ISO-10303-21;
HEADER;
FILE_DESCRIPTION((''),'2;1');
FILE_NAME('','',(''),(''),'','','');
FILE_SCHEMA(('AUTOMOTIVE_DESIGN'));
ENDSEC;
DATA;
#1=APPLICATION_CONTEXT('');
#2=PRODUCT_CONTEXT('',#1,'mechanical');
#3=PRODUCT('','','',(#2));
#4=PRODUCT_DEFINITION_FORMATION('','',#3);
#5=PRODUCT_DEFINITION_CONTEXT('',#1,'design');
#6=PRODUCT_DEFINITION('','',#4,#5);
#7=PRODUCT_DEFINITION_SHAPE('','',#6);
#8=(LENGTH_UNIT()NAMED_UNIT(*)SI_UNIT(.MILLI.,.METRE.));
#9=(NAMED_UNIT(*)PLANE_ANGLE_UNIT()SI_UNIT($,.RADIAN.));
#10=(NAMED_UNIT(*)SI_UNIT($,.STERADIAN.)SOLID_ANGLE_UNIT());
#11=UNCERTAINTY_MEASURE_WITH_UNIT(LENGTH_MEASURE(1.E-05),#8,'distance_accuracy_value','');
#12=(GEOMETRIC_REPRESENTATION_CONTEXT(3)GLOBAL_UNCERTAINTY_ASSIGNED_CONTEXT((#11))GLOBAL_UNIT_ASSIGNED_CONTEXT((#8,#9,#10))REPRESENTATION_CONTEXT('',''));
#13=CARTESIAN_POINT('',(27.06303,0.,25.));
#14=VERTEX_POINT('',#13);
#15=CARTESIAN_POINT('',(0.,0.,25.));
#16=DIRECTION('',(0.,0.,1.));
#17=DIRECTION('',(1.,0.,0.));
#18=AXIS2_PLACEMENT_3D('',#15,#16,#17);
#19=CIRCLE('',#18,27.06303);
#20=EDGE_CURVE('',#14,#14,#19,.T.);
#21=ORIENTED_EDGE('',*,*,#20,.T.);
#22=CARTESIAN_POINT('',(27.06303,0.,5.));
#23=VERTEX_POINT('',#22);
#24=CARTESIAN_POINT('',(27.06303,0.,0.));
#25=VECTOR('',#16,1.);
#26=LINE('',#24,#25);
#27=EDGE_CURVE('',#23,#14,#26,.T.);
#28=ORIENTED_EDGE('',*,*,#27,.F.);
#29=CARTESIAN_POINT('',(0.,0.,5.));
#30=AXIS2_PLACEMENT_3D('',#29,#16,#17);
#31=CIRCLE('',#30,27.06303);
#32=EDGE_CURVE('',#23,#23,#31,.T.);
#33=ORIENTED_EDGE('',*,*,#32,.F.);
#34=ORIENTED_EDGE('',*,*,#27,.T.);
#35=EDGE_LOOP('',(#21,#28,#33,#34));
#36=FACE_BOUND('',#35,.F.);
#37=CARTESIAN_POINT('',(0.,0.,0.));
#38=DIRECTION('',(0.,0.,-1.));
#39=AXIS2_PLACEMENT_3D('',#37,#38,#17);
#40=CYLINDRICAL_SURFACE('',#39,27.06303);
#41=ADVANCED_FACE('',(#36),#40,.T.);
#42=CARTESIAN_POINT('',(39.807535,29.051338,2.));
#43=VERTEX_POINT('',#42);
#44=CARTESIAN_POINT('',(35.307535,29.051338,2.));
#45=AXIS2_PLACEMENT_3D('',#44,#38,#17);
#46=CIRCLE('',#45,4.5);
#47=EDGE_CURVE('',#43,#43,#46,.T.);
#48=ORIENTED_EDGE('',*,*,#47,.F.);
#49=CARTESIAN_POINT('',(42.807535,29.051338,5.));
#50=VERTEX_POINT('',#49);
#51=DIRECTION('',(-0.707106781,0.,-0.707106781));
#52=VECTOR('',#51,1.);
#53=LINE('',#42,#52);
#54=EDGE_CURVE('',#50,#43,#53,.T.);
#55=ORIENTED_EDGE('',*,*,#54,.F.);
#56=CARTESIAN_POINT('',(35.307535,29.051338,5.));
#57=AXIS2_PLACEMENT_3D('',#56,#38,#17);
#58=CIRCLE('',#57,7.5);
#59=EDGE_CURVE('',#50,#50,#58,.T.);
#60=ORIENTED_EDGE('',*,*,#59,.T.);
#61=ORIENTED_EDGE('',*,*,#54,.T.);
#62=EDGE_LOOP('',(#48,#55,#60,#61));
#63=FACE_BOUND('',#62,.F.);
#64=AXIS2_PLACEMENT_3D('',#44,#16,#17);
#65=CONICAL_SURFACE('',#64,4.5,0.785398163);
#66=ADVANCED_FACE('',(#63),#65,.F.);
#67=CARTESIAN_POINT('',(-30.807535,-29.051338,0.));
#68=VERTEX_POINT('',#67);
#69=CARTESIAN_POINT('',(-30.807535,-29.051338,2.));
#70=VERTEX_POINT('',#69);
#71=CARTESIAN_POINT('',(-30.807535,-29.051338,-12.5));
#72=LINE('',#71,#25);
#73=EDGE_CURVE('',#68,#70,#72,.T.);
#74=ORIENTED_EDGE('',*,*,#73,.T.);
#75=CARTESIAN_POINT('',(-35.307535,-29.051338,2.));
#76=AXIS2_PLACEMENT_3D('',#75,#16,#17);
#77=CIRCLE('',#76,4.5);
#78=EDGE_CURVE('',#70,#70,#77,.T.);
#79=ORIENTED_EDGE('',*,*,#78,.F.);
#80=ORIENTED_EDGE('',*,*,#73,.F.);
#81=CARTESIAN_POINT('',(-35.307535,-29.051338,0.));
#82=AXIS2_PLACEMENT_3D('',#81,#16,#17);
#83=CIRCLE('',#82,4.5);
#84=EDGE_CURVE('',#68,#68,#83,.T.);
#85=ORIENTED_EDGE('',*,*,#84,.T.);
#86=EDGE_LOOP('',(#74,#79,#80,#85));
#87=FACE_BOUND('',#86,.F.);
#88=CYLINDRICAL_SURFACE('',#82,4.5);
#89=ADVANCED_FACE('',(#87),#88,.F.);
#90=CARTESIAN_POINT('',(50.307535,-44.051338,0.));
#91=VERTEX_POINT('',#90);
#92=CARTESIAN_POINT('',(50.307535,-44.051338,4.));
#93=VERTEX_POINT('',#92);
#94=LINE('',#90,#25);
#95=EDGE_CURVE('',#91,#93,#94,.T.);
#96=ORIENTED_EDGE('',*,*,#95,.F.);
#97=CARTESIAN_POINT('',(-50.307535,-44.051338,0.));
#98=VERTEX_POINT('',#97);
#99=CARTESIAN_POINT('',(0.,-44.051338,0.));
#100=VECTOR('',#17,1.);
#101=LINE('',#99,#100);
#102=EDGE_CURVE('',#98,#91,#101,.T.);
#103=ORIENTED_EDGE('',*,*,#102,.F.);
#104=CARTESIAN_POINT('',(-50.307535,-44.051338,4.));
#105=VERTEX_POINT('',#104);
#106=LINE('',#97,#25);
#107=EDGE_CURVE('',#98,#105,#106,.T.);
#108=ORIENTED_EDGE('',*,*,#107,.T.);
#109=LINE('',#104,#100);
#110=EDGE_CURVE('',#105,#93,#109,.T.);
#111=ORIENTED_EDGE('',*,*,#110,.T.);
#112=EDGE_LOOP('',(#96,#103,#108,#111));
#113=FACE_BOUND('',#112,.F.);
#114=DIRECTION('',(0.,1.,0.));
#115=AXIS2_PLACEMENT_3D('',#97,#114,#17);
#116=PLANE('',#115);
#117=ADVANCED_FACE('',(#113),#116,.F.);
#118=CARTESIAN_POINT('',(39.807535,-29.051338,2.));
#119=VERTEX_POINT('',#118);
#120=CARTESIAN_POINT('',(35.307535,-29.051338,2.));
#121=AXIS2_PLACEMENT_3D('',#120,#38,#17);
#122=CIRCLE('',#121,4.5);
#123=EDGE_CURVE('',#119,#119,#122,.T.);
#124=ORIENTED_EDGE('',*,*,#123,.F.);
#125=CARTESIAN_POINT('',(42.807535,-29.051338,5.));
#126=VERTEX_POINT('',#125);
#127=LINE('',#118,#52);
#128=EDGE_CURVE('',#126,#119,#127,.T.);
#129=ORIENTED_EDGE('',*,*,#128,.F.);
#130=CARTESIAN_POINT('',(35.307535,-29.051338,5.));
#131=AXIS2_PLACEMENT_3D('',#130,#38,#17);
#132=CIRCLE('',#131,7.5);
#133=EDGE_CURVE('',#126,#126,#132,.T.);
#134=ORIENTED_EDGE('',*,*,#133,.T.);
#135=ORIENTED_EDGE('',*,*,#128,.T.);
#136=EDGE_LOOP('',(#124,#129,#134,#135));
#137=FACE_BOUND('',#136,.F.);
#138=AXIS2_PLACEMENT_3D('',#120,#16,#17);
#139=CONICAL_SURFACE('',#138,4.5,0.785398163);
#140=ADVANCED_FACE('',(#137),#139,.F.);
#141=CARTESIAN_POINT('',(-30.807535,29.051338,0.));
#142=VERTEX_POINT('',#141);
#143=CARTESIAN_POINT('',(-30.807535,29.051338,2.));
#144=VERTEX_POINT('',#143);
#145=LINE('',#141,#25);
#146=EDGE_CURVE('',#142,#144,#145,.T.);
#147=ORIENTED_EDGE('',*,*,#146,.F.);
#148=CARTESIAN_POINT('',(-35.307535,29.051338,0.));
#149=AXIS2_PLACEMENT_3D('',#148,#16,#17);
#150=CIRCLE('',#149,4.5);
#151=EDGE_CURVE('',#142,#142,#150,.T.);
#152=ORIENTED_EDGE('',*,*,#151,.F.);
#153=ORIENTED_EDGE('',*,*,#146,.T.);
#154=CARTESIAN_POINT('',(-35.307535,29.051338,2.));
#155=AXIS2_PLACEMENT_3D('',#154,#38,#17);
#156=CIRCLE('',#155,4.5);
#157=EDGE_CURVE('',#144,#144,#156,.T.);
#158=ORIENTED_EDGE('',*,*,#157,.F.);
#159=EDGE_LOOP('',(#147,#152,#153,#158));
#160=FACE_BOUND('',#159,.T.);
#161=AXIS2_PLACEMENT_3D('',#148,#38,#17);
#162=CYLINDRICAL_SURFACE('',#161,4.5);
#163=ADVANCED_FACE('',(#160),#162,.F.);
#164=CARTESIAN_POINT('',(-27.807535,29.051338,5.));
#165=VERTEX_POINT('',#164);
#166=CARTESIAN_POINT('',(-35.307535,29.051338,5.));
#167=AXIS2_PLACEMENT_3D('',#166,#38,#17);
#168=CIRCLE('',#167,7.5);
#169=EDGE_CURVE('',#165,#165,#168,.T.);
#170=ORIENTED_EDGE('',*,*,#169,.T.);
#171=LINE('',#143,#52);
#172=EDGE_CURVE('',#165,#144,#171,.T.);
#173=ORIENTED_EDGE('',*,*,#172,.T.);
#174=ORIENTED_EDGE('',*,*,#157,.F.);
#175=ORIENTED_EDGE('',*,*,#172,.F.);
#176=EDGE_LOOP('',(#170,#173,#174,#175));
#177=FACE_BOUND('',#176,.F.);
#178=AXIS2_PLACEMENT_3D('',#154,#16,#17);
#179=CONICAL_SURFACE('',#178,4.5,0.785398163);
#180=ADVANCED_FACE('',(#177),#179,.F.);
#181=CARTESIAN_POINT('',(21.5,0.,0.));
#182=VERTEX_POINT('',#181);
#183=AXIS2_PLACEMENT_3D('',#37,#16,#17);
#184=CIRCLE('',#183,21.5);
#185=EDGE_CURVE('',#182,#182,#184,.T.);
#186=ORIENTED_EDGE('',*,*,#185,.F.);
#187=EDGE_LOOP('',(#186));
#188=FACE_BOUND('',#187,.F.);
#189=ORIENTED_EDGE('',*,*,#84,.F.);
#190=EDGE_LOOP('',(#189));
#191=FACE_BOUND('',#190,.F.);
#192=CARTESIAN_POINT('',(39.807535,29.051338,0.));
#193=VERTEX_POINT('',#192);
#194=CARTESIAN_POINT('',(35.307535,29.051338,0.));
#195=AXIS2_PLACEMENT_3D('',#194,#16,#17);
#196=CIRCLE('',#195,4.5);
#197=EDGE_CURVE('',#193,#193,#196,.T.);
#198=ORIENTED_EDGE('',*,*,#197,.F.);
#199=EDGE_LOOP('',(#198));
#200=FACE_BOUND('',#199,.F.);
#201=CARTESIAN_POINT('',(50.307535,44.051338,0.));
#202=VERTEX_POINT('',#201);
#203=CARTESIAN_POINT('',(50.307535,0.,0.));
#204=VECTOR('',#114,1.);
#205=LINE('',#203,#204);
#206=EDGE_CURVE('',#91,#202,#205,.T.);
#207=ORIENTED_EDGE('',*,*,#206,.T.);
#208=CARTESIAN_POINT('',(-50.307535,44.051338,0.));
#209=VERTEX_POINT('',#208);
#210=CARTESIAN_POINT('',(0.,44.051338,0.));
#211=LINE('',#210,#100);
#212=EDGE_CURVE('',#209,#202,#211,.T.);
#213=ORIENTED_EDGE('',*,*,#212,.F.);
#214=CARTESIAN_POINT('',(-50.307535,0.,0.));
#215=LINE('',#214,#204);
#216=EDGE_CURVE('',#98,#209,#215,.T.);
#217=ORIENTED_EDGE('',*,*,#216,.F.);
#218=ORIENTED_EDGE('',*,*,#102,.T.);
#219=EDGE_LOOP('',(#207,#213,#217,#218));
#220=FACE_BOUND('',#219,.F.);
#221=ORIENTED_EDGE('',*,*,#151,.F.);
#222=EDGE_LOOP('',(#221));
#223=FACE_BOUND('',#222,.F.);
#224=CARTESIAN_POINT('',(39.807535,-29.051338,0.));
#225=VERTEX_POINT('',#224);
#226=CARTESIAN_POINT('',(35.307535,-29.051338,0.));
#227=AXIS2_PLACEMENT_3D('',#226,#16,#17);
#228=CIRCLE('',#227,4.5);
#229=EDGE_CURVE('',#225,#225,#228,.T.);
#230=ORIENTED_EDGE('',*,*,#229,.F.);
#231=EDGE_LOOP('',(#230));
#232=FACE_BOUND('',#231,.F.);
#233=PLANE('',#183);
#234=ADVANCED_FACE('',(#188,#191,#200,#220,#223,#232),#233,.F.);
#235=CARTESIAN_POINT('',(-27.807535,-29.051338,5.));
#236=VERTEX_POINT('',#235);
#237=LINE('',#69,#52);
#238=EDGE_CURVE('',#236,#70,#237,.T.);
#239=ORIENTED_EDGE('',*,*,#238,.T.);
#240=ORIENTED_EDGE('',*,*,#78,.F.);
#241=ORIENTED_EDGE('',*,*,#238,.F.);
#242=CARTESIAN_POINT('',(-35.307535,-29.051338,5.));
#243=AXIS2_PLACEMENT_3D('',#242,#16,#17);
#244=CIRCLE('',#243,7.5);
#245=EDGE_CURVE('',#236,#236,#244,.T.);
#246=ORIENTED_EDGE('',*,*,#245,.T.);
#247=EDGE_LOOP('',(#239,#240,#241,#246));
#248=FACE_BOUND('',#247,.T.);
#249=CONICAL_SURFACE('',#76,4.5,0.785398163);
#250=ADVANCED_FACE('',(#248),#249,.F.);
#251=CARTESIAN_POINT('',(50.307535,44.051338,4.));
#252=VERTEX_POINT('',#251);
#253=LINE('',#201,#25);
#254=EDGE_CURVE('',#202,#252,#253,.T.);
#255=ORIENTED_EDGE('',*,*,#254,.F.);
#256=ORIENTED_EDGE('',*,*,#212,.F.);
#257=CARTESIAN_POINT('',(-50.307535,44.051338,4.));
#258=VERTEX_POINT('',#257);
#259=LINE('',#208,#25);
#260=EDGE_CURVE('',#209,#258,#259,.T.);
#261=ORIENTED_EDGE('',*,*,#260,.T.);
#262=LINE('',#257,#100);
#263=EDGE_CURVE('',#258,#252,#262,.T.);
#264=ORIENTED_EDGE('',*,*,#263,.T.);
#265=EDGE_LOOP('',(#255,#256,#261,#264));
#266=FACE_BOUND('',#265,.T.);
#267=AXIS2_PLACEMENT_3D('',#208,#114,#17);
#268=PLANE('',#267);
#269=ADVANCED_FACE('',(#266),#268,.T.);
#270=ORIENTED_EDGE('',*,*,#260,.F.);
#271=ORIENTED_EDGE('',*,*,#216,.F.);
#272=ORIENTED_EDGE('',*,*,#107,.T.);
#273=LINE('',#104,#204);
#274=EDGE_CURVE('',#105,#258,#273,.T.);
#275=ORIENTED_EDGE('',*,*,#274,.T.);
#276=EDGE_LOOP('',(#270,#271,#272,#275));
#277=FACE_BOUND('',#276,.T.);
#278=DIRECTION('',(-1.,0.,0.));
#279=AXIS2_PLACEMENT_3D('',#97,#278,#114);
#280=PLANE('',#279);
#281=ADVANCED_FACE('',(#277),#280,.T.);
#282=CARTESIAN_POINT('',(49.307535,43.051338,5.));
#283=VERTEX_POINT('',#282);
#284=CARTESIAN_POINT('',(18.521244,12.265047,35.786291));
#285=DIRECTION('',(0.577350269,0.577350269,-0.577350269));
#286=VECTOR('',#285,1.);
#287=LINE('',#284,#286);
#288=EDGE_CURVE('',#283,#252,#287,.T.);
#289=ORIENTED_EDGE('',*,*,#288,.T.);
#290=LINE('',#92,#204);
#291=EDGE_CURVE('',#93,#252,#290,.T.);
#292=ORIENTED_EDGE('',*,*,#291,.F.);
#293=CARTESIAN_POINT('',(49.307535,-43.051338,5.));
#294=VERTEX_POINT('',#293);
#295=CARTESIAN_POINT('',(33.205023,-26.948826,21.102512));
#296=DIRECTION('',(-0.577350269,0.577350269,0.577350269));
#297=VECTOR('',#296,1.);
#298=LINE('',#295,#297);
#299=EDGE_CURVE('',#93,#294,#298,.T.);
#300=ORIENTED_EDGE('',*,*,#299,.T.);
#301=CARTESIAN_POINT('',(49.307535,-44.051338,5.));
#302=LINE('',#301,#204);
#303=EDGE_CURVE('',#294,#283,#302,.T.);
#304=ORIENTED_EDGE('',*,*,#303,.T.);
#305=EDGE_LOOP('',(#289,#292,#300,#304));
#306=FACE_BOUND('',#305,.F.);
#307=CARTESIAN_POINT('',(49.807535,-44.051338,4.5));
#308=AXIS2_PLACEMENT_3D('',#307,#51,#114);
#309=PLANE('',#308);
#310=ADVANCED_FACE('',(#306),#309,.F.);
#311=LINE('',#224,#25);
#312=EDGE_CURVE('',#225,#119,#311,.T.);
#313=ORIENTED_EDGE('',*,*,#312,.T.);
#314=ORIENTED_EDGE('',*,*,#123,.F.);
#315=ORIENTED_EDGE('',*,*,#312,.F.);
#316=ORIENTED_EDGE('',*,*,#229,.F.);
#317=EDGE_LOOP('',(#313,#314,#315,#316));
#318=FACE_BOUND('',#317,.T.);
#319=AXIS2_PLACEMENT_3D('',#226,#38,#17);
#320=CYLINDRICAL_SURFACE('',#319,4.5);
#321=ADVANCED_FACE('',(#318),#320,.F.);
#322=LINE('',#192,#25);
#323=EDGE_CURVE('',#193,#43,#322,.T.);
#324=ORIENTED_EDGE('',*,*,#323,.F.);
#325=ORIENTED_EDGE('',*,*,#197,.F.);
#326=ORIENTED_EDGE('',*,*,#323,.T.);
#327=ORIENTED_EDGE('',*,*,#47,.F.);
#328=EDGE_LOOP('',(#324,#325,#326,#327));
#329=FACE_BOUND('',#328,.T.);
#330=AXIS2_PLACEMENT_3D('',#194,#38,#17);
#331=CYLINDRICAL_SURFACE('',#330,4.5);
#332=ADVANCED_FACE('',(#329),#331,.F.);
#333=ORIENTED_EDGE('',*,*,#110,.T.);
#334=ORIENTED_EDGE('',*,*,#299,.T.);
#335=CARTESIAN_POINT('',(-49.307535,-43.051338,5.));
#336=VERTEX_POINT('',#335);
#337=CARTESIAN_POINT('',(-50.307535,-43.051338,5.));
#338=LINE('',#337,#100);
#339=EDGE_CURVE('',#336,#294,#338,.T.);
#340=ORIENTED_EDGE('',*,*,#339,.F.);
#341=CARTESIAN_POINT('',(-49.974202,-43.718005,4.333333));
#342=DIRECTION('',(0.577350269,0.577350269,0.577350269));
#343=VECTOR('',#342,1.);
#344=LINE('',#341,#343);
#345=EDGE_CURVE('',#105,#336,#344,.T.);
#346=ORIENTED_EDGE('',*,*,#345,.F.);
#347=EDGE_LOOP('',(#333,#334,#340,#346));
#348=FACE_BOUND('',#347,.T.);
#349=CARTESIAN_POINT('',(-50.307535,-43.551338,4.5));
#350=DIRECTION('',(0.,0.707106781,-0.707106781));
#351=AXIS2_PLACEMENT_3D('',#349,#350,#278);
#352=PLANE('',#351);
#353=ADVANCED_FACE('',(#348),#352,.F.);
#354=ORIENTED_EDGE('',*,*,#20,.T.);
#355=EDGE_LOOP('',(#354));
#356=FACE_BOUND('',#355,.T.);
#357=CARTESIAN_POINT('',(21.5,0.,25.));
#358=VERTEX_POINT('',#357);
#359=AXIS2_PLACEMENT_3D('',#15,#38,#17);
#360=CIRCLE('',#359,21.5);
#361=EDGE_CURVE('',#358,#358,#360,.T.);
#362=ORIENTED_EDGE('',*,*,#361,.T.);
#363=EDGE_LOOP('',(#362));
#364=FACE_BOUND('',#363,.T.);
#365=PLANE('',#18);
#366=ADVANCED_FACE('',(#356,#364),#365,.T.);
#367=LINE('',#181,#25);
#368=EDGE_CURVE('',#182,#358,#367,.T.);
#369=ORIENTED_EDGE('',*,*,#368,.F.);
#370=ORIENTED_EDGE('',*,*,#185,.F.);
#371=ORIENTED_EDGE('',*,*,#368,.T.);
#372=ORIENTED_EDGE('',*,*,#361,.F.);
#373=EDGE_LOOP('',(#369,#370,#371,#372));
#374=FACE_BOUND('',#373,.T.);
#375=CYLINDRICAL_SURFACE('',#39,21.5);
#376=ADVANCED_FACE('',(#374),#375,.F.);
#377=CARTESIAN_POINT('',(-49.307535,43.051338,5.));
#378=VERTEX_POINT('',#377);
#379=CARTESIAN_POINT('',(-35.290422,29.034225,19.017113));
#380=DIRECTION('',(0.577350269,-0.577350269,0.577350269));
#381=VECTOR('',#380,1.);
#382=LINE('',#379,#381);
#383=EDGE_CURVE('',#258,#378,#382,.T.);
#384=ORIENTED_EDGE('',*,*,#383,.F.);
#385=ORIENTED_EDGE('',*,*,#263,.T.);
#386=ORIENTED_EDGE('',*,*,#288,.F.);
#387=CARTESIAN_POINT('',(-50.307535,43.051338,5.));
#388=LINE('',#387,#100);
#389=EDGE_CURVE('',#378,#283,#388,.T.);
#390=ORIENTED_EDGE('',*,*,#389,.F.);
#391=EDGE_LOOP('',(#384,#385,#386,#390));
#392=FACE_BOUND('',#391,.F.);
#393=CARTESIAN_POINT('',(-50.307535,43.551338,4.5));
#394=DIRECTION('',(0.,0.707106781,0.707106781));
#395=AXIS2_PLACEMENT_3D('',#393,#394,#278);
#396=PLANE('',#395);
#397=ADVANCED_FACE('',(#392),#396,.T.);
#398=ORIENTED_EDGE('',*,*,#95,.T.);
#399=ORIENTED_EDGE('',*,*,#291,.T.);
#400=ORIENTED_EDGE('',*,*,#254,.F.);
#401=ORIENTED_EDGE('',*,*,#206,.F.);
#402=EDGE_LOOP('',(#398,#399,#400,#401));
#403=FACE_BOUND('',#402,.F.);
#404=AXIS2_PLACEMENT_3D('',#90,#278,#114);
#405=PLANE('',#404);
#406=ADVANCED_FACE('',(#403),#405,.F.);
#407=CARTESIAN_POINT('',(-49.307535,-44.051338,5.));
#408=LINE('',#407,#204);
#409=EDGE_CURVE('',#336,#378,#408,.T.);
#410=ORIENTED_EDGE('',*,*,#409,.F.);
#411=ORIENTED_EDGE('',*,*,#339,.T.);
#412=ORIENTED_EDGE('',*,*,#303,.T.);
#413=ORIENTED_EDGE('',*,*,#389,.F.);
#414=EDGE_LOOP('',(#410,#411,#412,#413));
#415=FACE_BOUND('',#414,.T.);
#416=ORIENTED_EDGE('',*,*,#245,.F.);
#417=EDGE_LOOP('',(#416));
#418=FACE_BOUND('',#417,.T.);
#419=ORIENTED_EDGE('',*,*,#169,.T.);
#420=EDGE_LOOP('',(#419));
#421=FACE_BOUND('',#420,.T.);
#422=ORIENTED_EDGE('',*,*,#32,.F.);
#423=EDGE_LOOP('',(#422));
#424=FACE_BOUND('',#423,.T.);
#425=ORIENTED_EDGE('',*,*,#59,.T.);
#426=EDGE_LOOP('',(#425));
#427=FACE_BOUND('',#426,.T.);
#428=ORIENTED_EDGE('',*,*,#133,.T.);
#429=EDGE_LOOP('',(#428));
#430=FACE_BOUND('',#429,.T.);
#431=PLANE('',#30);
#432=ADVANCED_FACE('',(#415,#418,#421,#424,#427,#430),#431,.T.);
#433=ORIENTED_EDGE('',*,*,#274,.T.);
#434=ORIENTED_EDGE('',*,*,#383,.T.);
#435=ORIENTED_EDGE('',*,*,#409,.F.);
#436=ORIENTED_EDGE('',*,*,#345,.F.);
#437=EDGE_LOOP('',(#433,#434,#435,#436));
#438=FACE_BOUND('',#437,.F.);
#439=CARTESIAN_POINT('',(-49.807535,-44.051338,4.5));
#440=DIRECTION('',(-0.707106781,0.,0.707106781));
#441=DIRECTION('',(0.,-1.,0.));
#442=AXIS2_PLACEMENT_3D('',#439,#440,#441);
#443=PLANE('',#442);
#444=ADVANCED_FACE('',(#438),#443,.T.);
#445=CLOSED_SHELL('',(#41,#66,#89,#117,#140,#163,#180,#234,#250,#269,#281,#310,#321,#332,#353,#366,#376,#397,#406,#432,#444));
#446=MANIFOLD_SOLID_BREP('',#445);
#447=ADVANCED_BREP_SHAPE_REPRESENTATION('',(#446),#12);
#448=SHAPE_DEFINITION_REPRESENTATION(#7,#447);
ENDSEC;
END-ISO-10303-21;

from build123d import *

# Parameters (mm, degrees)
F0_R     = 27.06303
F1_DEPTH = 25
F0_W     = 100.61507
F0_H     = 88.102676
F2_DEPTH = 5
F3_SIZE  = 1
F4_R     = 21.5
F5_DEPTH = 30
F6_R     = 4.5
F7_DEPTH = 12.5
F8_SIZE  = 3


with BuildPart() as f1:
    # F0 (on Top) → F1 (new body)
    with BuildSketch(Plane.XY):
        Circle(F0_R)
    extrude(amount=F1_DEPTH)

    # F0 (on Top) → F2 (join)
    with BuildSketch(Plane.XY):
        Rectangle(F0_W, F0_H)
        Circle(F0_R, mode=Mode.SUBTRACT)
    extrude(amount=F2_DEPTH)

    # F3
    f3_edges = [f1.edges().sort_by_distance(p)[0] for p in [
        (-50.307535, 0, 5),
        (0, -44.051338, 5),
        (50.307535, 0, 5),
        (0, 44.051338, 5),
    ]]
    chamfer(f3_edges, length=F3_SIZE)

    # F4 (on Top) → F5 (cut)
    with BuildSketch(Plane.XY):
        Circle(F4_R)
    extrude(amount=F5_DEPTH, mode=Mode.SUBTRACT)

    # F6 (on Top) → F7 (cut, symmetric)
    with BuildSketch(Plane.XY):
        with Locations((35.307535, -29.051338)):
            Circle(F6_R)
        with Locations((35.307535, 29.051338)):
            Circle(F6_R)
        with Locations((-35.307535, 29.051338)):
            Circle(F6_R)
        with Locations((-35.307535, -29.051338)):
            Circle(F6_R)
    extrude(amount=F7_DEPTH, both=True, mode=Mode.SUBTRACT)

    # F8
    f8_edges = [f1.edges().sort_by_distance(p)[0] for p in [
        (-39.807535, -29.051338, 5),
        (-39.807535, 29.051338, 5),
        (30.807535, 29.051338, 5),
        (30.807535, -29.051338, 5),
    ]]
    chamfer(f8_edges, length=F8_SIZE)


solid = f1.part
